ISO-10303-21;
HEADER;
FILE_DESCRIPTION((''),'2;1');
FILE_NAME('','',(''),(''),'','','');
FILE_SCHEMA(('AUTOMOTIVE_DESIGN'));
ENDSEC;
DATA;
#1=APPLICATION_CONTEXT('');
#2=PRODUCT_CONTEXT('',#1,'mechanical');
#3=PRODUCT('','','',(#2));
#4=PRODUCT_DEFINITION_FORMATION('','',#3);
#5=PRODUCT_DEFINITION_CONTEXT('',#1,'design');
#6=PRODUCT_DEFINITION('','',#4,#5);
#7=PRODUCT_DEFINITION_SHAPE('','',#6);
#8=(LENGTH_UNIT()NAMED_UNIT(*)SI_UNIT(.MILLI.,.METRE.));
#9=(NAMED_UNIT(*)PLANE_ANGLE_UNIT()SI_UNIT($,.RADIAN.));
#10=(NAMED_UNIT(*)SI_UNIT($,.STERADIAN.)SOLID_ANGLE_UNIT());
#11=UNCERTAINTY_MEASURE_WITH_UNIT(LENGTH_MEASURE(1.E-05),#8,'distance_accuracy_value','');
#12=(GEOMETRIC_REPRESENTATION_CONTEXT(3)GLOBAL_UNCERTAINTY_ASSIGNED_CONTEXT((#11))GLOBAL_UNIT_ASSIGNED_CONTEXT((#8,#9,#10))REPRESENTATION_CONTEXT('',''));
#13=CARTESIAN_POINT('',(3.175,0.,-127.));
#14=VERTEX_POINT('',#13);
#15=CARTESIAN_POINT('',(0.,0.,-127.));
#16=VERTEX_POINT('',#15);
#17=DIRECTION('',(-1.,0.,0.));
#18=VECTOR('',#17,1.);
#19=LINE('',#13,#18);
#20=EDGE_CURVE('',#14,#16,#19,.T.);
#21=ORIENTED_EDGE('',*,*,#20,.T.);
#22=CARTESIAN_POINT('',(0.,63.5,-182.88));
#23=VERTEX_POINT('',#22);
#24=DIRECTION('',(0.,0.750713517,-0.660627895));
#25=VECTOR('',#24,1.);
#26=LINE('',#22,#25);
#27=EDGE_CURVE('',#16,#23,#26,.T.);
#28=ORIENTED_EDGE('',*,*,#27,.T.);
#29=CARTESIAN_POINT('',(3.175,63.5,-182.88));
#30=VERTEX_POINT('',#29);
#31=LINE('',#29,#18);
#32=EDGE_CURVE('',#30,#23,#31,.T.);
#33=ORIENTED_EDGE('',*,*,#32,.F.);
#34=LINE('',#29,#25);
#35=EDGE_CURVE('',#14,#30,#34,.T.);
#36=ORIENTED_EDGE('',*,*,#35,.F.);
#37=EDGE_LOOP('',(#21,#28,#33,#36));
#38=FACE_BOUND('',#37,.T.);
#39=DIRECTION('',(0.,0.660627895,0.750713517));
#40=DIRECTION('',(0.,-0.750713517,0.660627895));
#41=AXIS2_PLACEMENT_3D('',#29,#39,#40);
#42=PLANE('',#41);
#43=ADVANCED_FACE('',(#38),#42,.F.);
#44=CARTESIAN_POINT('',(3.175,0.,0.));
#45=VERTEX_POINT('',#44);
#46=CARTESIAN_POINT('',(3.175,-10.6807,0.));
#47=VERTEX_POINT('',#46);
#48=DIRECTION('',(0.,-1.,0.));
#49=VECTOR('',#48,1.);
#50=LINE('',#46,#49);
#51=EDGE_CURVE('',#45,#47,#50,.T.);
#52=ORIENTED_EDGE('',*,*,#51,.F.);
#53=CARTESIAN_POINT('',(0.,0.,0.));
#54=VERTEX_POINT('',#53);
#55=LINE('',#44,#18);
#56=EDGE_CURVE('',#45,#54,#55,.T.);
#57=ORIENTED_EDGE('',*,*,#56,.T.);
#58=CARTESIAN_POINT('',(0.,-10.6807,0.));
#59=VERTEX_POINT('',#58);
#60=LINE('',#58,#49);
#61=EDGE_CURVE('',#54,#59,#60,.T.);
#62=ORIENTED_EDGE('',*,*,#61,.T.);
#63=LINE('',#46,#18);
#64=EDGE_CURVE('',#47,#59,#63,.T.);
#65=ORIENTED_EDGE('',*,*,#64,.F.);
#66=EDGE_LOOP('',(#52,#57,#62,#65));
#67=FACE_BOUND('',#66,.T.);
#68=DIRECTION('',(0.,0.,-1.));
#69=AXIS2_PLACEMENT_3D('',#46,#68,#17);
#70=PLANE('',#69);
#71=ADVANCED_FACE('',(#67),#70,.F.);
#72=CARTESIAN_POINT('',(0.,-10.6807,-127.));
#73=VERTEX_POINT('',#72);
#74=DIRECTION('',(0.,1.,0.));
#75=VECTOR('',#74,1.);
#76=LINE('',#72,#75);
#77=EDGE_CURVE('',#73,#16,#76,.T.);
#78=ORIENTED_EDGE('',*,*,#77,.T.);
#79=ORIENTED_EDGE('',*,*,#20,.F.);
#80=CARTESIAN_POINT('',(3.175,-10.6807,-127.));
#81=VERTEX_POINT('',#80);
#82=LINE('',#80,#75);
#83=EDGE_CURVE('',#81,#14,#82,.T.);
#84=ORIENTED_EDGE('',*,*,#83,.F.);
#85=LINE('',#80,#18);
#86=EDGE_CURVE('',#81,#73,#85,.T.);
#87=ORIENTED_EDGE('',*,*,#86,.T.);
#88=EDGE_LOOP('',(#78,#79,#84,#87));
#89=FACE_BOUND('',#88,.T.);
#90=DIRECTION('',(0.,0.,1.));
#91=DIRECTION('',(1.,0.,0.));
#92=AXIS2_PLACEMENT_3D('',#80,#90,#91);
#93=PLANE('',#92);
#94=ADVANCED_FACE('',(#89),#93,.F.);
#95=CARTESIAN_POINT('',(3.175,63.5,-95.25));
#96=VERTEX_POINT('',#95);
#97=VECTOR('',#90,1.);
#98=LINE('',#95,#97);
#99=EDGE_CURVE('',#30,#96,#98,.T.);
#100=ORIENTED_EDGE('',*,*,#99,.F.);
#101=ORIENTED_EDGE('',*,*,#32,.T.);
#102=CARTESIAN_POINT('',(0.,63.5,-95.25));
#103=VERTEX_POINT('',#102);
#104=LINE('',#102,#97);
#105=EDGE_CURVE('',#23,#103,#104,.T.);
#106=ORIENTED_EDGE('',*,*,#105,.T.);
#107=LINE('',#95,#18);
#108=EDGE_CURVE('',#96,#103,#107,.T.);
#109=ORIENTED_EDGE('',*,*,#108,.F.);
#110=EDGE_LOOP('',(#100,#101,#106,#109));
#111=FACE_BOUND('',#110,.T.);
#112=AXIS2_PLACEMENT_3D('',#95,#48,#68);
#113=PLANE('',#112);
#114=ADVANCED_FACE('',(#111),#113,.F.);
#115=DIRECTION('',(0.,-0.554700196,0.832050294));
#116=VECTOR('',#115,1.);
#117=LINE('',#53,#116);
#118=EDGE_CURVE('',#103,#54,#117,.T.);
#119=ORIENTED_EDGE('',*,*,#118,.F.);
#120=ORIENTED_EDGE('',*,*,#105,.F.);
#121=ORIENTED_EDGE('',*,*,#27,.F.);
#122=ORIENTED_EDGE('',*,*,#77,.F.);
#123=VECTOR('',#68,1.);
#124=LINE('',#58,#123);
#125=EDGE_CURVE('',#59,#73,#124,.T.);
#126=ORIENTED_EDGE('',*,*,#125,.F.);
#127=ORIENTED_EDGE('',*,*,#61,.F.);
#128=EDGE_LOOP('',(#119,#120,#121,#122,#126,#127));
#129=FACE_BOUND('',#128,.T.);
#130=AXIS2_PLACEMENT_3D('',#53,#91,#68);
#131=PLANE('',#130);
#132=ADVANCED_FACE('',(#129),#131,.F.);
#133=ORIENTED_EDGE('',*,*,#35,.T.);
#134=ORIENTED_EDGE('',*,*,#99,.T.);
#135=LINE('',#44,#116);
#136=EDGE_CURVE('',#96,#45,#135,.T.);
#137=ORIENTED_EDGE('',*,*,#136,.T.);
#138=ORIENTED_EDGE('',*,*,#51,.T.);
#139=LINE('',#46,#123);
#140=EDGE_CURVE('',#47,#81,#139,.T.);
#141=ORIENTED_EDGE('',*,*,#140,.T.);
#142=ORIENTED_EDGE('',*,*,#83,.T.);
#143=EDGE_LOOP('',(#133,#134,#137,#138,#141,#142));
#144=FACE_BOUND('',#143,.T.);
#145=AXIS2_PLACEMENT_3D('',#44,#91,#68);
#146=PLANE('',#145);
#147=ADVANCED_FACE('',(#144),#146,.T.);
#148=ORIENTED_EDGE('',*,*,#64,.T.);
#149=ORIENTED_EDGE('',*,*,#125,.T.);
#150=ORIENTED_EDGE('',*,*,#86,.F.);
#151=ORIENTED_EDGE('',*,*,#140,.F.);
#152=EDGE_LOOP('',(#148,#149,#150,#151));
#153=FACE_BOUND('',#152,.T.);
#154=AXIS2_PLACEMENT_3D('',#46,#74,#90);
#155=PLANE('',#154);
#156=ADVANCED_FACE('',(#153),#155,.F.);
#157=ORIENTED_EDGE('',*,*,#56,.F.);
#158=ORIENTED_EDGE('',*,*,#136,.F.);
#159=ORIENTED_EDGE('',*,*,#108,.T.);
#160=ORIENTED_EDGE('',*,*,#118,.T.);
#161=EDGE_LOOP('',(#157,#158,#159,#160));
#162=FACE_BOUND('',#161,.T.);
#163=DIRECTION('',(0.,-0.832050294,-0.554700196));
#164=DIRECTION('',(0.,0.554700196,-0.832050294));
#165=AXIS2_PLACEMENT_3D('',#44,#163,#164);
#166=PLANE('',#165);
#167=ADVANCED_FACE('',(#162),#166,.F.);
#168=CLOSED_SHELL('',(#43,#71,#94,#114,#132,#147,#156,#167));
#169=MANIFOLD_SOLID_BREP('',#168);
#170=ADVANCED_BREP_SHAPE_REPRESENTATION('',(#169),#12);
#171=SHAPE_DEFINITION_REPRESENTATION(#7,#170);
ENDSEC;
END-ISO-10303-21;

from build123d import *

# Parameters (mm, degrees)
BOSS_EXTRUDE1_DEPTH = 3.175


with BuildPart() as part:
    # Sketch2 → Boss-Extrude1 (new body)
    with BuildSketch(Plane(origin=(0, 0, 0), x_dir=(0, 0, -1), z_dir=(1, 0, 0))):
        Polygon((0, 0), (95.25, 63.5), (182.88, 63.5), (127, 0), (127, -10.6807), (0, -10.6807), align=None)
    extrude(amount=BOSS_EXTRUDE1_DEPTH)


solid = part.part
